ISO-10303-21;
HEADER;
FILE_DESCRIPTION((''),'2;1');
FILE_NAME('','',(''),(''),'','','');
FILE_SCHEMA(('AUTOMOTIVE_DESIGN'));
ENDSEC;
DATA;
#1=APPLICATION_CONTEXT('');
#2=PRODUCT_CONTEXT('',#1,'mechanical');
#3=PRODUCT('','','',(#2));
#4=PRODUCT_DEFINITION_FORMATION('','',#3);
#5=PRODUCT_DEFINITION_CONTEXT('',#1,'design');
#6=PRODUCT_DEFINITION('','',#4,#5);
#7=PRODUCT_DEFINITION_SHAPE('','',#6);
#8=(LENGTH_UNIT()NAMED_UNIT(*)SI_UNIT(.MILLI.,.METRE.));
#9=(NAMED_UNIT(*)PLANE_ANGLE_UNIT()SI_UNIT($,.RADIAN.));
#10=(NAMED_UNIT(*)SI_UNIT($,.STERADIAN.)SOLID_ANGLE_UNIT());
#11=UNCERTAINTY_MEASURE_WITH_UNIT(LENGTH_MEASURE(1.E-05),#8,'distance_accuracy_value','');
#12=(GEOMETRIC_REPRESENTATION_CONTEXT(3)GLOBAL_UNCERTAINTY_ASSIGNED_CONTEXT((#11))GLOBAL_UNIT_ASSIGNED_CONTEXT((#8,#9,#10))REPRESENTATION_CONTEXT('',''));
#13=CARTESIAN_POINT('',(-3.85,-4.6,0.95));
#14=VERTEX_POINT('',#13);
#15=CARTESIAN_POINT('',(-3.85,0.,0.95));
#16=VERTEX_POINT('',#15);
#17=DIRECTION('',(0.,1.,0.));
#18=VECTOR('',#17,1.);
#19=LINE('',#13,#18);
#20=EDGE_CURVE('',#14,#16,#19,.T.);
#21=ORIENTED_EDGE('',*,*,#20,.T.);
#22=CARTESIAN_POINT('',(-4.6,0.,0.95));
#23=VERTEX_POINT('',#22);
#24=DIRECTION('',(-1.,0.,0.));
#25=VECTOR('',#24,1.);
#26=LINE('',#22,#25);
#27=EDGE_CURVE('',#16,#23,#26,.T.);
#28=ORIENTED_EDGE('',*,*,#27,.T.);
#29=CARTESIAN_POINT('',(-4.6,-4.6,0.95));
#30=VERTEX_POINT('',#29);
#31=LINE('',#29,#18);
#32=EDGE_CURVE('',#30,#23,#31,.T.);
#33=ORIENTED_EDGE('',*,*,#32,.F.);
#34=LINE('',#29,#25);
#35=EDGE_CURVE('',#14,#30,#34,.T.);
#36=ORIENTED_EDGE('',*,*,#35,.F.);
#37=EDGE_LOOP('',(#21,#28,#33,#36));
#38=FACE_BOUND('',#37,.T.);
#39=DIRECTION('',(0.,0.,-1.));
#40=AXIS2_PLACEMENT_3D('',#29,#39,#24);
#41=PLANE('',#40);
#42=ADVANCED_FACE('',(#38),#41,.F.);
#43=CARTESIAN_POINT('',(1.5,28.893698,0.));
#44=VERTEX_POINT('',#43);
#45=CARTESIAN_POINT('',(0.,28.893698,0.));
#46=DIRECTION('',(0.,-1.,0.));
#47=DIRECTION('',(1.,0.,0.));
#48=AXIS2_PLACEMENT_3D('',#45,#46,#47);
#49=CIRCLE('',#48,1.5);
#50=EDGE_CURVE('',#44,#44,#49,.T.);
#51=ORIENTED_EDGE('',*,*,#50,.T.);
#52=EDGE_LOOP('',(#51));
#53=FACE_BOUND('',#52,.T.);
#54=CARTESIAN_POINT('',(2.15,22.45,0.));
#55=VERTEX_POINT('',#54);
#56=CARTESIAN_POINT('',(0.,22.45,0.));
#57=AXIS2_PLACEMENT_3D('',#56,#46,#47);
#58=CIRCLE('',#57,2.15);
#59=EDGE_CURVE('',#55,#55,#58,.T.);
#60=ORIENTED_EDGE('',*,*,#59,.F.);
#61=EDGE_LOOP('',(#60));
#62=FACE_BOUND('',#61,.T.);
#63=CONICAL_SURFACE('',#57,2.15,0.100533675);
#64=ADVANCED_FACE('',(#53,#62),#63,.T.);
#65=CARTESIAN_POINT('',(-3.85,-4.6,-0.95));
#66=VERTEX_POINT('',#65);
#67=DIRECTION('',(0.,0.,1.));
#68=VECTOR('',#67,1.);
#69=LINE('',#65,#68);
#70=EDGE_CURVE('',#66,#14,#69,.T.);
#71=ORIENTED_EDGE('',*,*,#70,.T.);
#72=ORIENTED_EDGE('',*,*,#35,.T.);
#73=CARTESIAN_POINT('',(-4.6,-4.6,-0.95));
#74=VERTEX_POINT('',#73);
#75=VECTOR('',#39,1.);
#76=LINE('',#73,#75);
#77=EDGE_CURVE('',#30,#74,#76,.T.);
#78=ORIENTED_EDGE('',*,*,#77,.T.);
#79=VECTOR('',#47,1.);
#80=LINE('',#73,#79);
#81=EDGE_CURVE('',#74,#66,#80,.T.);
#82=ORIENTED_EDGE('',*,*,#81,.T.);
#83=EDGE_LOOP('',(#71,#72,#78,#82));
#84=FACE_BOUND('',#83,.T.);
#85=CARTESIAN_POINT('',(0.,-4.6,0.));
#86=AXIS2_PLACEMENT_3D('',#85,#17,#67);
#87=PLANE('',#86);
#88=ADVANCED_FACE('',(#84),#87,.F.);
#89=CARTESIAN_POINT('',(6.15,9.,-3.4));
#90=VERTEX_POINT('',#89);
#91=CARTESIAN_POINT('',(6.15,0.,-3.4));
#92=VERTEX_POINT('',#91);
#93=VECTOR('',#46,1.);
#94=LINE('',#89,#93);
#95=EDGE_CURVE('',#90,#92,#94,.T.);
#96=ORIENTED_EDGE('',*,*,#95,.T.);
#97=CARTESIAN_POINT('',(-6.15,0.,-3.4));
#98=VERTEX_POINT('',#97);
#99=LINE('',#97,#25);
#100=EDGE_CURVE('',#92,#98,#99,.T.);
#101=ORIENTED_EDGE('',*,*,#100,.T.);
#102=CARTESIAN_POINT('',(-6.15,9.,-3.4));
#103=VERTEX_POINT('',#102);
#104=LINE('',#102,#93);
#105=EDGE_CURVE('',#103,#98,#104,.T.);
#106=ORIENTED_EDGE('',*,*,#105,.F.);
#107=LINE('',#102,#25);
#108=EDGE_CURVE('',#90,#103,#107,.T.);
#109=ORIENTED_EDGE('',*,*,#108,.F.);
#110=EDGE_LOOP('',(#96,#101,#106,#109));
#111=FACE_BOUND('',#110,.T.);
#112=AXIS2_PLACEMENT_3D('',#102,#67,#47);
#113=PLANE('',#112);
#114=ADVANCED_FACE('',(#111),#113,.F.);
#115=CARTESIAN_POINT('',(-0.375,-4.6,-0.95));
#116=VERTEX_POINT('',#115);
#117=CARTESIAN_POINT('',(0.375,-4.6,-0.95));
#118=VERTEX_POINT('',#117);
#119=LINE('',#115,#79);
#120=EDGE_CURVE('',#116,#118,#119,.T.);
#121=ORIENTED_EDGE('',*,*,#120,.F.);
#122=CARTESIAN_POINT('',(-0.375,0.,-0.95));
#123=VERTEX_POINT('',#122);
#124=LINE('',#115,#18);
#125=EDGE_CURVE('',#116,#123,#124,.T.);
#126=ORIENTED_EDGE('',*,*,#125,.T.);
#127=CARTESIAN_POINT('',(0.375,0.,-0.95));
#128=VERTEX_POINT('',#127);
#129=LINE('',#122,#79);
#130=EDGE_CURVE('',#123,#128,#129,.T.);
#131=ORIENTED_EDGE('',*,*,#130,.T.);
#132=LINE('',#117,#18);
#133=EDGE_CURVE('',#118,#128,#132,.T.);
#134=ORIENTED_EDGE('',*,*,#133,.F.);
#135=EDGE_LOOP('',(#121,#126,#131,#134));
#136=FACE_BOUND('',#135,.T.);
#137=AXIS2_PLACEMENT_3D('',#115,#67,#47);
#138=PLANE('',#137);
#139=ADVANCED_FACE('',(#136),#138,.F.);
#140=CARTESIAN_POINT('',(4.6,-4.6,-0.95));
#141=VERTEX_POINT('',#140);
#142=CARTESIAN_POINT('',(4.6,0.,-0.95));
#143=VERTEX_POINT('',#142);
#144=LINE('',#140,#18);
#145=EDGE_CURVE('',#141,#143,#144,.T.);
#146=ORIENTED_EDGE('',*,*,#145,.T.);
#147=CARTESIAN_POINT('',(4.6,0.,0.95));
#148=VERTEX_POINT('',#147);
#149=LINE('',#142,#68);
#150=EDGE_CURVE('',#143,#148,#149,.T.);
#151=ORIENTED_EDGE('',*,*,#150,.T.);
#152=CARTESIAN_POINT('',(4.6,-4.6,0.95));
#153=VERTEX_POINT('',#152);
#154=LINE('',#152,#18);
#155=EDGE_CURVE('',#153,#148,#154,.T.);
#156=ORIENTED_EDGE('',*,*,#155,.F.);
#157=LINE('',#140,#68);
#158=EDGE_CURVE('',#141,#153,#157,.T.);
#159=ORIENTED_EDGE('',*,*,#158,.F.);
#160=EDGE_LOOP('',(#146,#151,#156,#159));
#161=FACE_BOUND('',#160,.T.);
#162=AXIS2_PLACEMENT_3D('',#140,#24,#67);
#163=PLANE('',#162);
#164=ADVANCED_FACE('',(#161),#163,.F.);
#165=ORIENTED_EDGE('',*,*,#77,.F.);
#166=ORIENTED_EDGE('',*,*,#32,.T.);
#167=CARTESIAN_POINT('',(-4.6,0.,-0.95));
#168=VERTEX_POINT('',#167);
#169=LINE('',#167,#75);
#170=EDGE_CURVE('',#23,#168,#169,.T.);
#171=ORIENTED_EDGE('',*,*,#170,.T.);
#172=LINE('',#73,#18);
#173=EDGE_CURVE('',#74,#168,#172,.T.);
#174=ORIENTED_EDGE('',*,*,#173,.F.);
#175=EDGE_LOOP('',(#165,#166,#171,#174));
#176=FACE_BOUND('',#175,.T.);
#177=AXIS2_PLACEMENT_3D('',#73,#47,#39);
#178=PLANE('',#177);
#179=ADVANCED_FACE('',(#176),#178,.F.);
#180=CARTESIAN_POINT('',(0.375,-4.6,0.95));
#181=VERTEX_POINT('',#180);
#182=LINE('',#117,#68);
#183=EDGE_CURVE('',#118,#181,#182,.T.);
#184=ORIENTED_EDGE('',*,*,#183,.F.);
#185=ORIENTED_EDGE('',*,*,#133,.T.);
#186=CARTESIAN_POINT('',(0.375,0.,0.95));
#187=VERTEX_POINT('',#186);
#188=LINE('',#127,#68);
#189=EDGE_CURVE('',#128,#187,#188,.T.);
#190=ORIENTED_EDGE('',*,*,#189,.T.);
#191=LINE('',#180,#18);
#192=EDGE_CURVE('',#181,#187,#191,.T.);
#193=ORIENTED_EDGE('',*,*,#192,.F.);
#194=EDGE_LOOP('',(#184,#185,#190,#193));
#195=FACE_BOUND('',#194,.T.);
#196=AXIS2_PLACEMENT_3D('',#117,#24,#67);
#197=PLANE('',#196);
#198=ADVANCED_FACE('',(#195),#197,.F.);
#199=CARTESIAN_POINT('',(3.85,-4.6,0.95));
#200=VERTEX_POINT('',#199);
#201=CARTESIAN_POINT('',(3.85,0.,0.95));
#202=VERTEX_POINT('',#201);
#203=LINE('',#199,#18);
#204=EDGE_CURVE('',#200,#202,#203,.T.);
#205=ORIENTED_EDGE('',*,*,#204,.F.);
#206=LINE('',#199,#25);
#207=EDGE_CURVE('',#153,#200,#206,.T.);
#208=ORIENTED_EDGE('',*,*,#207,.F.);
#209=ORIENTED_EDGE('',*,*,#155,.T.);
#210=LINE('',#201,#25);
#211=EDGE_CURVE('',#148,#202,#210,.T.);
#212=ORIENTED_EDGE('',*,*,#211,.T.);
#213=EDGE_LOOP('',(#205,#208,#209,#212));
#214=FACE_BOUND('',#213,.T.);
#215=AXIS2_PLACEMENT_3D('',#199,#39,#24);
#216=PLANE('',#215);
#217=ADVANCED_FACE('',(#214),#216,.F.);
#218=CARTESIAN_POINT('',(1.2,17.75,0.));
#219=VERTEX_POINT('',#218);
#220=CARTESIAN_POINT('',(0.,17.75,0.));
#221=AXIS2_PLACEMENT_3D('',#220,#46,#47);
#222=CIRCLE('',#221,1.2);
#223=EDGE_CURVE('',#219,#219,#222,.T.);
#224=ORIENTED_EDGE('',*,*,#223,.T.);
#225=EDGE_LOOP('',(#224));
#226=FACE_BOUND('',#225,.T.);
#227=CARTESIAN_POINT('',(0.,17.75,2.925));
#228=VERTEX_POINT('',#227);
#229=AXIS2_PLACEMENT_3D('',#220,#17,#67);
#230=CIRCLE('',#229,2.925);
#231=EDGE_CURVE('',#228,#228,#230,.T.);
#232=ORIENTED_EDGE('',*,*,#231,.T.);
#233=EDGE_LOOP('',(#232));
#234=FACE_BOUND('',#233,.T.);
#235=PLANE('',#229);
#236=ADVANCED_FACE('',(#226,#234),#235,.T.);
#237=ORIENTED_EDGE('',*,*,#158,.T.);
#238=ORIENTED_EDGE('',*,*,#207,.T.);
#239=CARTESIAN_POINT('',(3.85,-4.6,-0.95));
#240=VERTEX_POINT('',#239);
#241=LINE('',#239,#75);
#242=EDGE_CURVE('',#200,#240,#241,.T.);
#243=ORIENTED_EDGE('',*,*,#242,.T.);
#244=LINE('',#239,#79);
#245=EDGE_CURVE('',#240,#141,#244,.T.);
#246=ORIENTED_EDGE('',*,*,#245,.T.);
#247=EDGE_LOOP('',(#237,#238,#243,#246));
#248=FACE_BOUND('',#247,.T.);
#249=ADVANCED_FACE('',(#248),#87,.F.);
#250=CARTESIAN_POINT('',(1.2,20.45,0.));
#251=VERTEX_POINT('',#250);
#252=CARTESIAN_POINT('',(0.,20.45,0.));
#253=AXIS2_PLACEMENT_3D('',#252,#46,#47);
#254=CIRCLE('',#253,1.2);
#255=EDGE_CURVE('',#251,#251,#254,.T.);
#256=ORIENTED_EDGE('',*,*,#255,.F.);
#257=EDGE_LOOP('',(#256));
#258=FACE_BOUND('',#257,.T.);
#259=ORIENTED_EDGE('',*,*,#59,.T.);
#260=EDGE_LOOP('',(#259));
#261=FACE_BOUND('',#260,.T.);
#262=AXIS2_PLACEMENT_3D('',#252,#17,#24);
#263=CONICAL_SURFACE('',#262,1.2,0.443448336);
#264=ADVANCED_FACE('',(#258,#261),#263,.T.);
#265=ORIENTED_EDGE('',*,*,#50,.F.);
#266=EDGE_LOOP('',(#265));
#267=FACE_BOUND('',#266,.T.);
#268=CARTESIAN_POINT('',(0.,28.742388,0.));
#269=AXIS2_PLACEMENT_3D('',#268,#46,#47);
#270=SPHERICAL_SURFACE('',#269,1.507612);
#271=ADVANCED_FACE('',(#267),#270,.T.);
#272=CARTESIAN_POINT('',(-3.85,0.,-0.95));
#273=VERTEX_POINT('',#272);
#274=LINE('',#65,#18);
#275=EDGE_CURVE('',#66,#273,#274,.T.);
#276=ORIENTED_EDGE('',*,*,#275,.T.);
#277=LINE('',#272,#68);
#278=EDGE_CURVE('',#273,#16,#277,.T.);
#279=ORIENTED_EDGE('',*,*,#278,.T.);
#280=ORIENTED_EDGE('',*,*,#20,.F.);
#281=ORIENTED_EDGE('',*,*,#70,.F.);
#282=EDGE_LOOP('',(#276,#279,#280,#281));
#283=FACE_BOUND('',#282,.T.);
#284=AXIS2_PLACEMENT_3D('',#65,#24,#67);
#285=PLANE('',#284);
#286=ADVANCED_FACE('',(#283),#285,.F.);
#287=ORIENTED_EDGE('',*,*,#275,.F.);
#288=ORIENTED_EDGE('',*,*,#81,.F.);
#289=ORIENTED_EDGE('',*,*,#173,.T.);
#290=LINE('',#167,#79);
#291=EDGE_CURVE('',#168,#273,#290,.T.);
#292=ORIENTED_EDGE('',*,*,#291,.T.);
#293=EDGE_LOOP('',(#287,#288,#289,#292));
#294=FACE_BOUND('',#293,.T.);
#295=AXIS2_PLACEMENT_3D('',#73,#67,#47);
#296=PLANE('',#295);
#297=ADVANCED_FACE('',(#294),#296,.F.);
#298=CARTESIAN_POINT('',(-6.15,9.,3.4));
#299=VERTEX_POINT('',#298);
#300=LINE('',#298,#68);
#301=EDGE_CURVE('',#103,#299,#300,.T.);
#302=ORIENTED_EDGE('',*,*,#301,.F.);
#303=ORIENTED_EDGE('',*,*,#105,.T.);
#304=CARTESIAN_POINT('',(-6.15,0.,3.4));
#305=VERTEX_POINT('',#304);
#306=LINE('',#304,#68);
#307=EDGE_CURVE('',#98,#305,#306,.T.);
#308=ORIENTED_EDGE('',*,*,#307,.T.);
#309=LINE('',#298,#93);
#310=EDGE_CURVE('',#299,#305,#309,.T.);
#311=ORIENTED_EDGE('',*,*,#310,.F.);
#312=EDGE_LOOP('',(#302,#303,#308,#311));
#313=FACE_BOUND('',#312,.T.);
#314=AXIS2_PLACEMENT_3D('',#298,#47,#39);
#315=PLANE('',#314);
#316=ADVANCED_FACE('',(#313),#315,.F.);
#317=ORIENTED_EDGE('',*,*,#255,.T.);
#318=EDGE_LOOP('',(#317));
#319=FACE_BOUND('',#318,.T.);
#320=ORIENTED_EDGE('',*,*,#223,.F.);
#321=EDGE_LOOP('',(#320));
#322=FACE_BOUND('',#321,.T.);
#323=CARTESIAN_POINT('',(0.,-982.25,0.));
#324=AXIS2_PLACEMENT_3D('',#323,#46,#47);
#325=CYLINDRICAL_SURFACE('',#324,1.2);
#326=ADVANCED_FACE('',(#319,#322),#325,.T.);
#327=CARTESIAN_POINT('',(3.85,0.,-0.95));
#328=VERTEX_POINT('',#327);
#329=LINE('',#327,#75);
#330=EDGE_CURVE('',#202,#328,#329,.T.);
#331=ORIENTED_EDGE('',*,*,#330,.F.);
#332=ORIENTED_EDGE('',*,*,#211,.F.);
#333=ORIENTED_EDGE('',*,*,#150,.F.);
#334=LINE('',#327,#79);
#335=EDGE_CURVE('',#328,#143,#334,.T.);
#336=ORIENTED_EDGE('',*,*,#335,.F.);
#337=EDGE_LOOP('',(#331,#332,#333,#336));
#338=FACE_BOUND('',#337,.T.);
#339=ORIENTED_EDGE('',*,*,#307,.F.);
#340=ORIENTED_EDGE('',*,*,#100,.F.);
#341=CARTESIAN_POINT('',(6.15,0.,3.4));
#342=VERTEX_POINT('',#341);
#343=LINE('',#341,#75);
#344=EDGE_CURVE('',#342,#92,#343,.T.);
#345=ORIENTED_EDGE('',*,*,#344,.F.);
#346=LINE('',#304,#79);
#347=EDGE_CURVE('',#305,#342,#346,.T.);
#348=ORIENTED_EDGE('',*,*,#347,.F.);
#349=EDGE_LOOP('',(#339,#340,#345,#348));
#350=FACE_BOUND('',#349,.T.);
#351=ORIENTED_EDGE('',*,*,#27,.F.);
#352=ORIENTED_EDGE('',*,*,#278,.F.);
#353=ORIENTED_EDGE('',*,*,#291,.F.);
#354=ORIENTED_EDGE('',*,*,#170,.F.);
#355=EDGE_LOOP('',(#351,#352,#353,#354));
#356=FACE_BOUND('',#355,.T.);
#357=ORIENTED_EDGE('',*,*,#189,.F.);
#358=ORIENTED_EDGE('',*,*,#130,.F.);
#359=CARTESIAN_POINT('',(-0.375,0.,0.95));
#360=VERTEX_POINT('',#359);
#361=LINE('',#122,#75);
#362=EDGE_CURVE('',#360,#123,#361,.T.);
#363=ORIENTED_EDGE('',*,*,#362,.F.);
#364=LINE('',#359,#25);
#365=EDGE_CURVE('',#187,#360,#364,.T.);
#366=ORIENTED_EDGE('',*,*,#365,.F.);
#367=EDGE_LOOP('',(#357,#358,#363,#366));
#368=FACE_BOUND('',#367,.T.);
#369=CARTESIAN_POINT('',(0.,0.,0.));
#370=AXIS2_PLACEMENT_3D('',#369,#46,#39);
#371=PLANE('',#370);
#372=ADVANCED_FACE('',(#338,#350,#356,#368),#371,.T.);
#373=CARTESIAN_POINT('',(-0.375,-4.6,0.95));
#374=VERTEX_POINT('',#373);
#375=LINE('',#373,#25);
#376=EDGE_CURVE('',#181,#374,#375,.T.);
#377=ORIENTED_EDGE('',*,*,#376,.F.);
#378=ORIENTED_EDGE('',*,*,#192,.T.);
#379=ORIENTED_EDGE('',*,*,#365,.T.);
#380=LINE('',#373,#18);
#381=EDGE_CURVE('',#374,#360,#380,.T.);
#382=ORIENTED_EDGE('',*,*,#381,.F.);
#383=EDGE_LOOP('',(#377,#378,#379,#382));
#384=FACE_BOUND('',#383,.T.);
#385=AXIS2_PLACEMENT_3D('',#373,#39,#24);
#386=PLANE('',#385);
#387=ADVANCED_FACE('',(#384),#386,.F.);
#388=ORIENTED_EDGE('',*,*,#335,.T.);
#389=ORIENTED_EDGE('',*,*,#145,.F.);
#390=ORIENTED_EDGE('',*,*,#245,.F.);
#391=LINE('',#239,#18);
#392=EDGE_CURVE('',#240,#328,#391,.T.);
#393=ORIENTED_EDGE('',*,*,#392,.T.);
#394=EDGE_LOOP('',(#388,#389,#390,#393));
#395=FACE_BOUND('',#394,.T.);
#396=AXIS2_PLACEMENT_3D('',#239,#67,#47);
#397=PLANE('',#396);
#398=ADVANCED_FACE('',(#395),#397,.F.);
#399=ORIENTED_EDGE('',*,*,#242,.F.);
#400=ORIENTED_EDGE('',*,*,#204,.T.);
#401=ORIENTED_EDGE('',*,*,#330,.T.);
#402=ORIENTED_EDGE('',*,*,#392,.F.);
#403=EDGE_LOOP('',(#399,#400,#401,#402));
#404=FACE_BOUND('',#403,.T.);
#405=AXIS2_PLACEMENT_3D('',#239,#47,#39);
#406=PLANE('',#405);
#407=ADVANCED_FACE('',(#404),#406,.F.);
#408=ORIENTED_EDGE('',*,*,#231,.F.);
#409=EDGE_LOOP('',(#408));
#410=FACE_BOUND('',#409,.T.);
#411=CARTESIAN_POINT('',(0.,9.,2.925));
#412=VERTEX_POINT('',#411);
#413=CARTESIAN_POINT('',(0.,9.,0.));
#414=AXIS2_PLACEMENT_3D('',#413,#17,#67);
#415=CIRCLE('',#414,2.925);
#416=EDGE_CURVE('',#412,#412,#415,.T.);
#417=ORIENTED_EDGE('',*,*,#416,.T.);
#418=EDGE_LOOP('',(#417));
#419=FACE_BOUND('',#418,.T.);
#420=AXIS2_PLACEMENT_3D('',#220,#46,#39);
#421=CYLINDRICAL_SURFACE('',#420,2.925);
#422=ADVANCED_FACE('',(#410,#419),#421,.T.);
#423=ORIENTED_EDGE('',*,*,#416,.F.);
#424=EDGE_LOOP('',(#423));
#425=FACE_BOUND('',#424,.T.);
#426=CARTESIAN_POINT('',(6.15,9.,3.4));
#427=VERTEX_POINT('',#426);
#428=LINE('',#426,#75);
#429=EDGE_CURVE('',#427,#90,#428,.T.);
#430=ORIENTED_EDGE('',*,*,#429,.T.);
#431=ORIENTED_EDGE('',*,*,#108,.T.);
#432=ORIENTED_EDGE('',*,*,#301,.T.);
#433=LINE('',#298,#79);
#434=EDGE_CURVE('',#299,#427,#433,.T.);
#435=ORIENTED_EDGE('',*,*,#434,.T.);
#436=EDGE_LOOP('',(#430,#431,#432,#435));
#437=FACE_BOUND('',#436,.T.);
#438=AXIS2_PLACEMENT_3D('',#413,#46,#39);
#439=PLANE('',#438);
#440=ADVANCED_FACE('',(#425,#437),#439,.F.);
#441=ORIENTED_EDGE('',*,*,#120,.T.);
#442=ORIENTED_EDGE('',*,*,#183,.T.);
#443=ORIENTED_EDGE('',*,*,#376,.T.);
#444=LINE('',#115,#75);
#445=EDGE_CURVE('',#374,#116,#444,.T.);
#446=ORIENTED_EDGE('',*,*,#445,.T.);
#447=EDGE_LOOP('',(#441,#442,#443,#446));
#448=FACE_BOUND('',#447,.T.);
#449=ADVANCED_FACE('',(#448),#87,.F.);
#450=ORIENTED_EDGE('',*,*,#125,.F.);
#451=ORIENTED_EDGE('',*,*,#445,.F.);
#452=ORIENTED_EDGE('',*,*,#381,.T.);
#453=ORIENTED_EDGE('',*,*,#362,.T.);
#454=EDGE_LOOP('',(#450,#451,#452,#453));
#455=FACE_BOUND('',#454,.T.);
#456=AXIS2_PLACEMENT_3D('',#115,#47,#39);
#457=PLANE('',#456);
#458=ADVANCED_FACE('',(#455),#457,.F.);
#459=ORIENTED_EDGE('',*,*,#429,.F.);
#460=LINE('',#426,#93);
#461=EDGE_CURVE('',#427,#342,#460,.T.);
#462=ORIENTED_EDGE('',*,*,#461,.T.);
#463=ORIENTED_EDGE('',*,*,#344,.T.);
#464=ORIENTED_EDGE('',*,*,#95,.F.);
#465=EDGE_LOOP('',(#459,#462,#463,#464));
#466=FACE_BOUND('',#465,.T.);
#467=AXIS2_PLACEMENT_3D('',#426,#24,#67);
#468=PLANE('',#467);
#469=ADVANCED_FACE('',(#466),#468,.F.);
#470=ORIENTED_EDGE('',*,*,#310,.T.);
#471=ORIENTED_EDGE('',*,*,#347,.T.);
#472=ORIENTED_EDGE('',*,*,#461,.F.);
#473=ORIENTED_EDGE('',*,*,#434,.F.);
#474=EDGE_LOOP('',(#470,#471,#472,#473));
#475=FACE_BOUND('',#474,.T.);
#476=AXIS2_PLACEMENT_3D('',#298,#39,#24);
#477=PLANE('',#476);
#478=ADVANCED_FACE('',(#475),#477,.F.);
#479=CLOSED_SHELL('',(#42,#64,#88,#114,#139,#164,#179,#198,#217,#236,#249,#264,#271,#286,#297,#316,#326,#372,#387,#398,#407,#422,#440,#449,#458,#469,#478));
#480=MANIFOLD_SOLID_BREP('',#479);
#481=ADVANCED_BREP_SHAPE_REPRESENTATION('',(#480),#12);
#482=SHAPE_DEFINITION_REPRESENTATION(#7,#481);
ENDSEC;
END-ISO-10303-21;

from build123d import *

# Parameters (mm, degrees)
SKETCH1_W           = 12.3
SKETCH1_H           = 6.8
BOSS_EXTRUDE1_DEPTH = 9
SKETCH2_R           = 2.925
BOSS_EXTRUDE2_DEPTH = 8.75
SKETCH4_W           = 0.75
SKETCH4_H           = 1.9
BOSS_EXTRUDE3_DEPTH = 4.6


with BuildPart() as part:
    # Sketch1 → Boss-Extrude1 (new body)
    with BuildSketch(Plane(origin=(0, 0, 0), x_dir=(1, 0, 0), z_dir=(0, 1, 0))):
        Rectangle(SKETCH1_W, SKETCH1_H)
    extrude(amount=BOSS_EXTRUDE1_DEPTH)

    # Sketch2 → Boss-Extrude2 (add)
    with BuildSketch(Plane(origin=(0, 9, 0), x_dir=(1, 0, 0), z_dir=(0, 1, 0))):
        Circle(SKETCH2_R)
    extrude(amount=BOSS_EXTRUDE2_DEPTH)

    # Sketch3 → Revolve1 (revolve)
    with BuildSketch(Plane.XY):
        with BuildLine():
            Line((0, 17.75), (1.2, 17.75))
            Line((1.2, 17.75), (1.2, 20.45))
            Line((1.2, 20.45), (2.15, 22.45))
            Line((2.15, 22.45), (1.5, 28.893698303))
            ThreePointArc((1.5, 28.893698303), (1.011132322, 29.860648085), (0, 30.25))
            Line((0, 30.25), (0, 17.75))
        make_face()
    revolve(axis=Axis((0, -982.25, 0), (0, 1, 0)))

    # Sketch4 → Boss-Extrude3 (add)
    with BuildSketch(Plane.XZ):
        Rectangle(SKETCH4_W, SKETCH4_H)
        with Locations((-4.225, 0)):
            Rectangle(SKETCH4_W, SKETCH4_H)
        with Locations((4.225, 0)):
            Rectangle(SKETCH4_W, SKETCH4_H)
    extrude(amount=BOSS_EXTRUDE3_DEPTH)


solid = part.part
